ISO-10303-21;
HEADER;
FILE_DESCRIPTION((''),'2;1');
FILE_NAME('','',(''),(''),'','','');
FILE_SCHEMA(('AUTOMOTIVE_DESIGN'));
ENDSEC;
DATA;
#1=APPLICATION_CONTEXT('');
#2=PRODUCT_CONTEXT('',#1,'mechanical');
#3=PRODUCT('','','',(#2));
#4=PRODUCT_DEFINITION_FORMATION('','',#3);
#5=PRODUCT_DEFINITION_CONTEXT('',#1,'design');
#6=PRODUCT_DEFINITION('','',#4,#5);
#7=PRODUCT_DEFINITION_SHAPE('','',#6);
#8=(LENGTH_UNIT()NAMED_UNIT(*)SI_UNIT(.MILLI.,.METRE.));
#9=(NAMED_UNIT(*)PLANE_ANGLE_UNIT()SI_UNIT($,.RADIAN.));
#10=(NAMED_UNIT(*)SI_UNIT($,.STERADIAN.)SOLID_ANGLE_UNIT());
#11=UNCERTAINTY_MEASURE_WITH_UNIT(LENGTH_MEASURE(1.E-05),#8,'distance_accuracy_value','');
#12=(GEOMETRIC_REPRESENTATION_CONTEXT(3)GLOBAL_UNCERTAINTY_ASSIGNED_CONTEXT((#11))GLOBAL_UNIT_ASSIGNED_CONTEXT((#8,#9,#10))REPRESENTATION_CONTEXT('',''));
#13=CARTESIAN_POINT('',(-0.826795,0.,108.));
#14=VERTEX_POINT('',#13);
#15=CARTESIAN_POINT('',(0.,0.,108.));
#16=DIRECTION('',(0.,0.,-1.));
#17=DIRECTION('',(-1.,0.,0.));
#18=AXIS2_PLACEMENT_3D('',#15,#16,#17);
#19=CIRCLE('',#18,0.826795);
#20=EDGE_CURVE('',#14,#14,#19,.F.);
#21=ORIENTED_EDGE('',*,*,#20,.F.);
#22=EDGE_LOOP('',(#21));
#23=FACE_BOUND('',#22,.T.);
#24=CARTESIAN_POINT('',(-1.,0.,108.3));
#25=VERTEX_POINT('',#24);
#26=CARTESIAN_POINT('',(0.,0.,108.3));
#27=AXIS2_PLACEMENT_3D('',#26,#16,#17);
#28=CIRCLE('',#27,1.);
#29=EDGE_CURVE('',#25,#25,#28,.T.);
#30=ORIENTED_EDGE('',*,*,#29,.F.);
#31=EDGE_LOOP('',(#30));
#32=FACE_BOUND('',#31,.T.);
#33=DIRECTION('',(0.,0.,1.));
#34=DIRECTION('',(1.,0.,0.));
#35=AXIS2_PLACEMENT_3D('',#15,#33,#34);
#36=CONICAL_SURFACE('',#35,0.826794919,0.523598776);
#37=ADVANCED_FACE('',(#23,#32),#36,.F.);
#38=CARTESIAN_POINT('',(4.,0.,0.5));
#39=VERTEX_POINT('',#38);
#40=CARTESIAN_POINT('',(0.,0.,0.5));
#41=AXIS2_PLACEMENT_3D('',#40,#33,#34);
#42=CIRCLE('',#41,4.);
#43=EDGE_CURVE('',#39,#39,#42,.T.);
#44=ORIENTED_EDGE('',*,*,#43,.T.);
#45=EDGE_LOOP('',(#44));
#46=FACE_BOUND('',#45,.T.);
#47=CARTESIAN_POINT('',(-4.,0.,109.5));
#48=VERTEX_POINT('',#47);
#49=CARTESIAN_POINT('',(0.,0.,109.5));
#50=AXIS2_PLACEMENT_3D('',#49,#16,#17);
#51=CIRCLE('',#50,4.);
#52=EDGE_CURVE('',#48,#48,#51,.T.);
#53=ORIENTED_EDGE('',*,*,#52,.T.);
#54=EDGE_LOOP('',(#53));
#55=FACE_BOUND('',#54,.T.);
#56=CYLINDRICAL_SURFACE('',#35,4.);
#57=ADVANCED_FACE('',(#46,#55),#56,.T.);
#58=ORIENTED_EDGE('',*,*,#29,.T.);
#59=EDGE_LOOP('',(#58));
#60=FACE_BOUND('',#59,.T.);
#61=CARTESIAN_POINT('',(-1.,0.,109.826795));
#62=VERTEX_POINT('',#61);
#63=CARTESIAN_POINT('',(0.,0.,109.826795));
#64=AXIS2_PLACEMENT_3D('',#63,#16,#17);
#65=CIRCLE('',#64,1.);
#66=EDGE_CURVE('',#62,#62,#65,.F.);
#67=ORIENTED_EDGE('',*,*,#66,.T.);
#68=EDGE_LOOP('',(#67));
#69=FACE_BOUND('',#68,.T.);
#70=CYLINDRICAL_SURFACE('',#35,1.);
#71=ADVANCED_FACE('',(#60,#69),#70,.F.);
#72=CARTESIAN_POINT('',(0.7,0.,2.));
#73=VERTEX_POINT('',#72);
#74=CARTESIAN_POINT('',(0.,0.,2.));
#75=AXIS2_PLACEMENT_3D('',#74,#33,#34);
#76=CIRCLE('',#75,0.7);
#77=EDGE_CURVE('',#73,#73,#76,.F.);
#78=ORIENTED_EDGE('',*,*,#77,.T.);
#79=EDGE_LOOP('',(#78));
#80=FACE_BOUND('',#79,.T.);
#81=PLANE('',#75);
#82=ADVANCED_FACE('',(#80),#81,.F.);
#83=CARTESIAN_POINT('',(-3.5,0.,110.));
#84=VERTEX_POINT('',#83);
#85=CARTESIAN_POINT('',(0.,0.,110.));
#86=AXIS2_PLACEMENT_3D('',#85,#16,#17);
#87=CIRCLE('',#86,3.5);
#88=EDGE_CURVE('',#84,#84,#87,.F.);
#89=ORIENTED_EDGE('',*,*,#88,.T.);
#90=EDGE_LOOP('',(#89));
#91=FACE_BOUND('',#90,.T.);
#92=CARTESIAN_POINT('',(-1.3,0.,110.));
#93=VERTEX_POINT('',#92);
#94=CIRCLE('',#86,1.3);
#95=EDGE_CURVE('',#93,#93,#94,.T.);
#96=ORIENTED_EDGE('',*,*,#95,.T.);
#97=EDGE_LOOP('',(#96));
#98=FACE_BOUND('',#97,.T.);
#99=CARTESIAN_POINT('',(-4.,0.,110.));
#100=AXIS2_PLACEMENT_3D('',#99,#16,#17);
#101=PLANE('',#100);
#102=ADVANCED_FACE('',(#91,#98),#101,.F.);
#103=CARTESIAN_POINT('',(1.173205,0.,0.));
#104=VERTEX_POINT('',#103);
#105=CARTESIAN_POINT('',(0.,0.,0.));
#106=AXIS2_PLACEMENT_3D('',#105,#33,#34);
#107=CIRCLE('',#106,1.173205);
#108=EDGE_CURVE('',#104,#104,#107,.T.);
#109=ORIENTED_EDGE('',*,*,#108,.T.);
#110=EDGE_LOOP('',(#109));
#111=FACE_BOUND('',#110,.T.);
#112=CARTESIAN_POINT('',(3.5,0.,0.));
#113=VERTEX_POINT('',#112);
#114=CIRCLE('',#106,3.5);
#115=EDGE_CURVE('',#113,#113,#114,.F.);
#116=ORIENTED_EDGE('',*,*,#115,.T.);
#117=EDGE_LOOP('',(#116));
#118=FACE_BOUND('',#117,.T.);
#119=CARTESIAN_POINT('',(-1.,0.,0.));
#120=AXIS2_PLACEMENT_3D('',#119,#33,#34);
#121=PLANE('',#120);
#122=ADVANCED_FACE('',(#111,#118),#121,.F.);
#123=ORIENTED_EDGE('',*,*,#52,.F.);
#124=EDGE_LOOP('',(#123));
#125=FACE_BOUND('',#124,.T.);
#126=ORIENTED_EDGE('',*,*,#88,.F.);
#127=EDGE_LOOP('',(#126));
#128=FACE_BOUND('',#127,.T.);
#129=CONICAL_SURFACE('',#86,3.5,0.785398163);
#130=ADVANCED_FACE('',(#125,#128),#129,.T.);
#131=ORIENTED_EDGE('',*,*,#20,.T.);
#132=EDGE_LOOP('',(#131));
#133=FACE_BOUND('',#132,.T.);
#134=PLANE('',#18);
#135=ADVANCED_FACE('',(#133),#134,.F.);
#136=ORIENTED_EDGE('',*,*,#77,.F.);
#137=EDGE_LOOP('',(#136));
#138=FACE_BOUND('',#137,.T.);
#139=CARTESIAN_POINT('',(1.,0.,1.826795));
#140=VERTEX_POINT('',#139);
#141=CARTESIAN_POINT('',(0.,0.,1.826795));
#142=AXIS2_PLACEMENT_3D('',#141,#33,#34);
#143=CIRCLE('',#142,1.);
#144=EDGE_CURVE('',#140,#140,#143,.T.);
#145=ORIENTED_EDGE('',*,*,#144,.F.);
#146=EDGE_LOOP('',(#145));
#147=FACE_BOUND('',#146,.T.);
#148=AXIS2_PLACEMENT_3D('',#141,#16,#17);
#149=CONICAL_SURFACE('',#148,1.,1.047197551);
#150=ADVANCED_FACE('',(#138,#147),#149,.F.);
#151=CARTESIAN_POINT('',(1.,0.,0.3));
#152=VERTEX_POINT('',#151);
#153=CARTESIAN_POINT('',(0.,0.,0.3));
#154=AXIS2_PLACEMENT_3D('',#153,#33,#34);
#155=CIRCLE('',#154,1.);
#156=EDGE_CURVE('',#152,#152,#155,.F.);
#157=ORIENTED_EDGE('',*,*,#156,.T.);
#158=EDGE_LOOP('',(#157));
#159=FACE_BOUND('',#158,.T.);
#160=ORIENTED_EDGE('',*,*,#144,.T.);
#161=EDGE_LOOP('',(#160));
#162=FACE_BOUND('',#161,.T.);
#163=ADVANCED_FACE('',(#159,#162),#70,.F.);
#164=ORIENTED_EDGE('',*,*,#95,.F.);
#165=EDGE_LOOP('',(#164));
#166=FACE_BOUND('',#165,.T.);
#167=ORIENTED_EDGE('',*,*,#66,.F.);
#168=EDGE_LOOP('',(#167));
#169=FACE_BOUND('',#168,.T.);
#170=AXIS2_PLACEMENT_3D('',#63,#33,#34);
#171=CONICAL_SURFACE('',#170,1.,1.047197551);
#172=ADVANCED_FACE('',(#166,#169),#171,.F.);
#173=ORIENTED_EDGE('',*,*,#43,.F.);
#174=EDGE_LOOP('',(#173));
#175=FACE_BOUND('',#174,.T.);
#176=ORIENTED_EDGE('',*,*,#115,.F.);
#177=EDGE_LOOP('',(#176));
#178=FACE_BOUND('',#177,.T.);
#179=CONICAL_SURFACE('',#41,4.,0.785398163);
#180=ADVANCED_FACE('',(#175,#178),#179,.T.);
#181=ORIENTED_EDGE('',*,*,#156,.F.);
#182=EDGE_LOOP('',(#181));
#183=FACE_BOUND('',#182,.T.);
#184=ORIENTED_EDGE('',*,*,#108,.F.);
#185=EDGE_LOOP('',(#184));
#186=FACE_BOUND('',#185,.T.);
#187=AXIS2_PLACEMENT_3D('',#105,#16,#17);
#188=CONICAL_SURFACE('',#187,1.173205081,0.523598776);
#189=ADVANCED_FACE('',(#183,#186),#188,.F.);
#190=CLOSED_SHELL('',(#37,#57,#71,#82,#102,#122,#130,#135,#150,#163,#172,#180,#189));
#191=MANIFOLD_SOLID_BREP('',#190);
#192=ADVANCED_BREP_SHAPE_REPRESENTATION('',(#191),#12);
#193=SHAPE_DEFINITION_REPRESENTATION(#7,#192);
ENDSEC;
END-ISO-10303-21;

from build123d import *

# Parameters (mm, degrees)
CHAMFER1_SIZE         = 0.5
CHAMFER2_SIZE         = 0.3
CHAMFER2_SIZE2        = 0.173205081
CHAMFER2_PART_2_SIZE  = 0.3
CHAMFER2_PART_2_SIZE2 = 0.173205081
CHAMFER2_PART_3_SIZE  = 0.3
CHAMFER2_PART_3_SIZE2 = 0.173205081
CHAMFER2_PART_4_SIZE  = 0.3
CHAMFER2_PART_4_SIZE2 = 0.173205081


with BuildPart() as part:
    # Sketch1 → Revolve1 (revolve)
    with BuildSketch(Plane(origin=(0, 0, 0), x_dir=(1, 0, 0), z_dir=(0, 1, 0))):
        Polygon((-1, 0), (-4, 0), (-4, -110), (-1, -110), (-1, -108), (0, -108), (0, -2), (-1, -2), align=None)
    revolve(axis=Axis((0, 0, 108), (0, 0, -1)))

    # Chamfer1
    chamfer1_edges = [part.edges().sort_by_distance(p)[0] for p in [
        (4, 0, 110),
        (4, 0, 0),
    ]]
    chamfer(chamfer1_edges, length=CHAMFER1_SIZE)

    # Chamfer2
    chamfer2_edges = [part.edges().sort_by_distance(p)[0] for p in [
        (1, 0, 2),
    ]]
    chamfer2_side = [part.faces().sort_by_distance(p)[0] for p in [
        (0, 0, 2),
    ]]
    chamfer(chamfer2_edges, length=CHAMFER2_SIZE, length2=CHAMFER2_SIZE2, reference=chamfer2_side[0])

    # Chamfer2 part 2
    chamfer2_part_2_edges = [part.edges().sort_by_distance(p)[0] for p in [
        (1, 0, 108),
    ]]
    chamfer2_part_2_side = [part.faces().sort_by_distance(p)[0] for p in [
        (1, 0, 109),
    ]]
    chamfer(chamfer2_part_2_edges, length=CHAMFER2_PART_2_SIZE, length2=CHAMFER2_PART_2_SIZE2, reference=chamfer2_part_2_side[0])

    # Chamfer2 part 3
    chamfer2_part_3_edges = [part.edges().sort_by_distance(p)[0] for p in [
        (1, 0, 110),
    ]]
    chamfer2_part_3_side = [part.faces().sort_by_distance(p)[0] for p in [
        (3.401005051, 0, 110),
    ]]
    chamfer(chamfer2_part_3_edges, length=CHAMFER2_PART_3_SIZE, length2=CHAMFER2_PART_3_SIZE2, reference=chamfer2_part_3_side[0])

    # Chamfer2 part 4
    chamfer2_part_4_edges = [part.edges().sort_by_distance(p)[0] for p in [
        (1, 0, 0),
    ]]
    chamfer2_part_4_side = [part.faces().sort_by_distance(p)[0] for p in [
        (1, 0, 1),
    ]]
    chamfer(chamfer2_part_4_edges, length=CHAMFER2_PART_4_SIZE, length2=CHAMFER2_PART_4_SIZE2, reference=chamfer2_part_4_side[0])


solid = part.part
